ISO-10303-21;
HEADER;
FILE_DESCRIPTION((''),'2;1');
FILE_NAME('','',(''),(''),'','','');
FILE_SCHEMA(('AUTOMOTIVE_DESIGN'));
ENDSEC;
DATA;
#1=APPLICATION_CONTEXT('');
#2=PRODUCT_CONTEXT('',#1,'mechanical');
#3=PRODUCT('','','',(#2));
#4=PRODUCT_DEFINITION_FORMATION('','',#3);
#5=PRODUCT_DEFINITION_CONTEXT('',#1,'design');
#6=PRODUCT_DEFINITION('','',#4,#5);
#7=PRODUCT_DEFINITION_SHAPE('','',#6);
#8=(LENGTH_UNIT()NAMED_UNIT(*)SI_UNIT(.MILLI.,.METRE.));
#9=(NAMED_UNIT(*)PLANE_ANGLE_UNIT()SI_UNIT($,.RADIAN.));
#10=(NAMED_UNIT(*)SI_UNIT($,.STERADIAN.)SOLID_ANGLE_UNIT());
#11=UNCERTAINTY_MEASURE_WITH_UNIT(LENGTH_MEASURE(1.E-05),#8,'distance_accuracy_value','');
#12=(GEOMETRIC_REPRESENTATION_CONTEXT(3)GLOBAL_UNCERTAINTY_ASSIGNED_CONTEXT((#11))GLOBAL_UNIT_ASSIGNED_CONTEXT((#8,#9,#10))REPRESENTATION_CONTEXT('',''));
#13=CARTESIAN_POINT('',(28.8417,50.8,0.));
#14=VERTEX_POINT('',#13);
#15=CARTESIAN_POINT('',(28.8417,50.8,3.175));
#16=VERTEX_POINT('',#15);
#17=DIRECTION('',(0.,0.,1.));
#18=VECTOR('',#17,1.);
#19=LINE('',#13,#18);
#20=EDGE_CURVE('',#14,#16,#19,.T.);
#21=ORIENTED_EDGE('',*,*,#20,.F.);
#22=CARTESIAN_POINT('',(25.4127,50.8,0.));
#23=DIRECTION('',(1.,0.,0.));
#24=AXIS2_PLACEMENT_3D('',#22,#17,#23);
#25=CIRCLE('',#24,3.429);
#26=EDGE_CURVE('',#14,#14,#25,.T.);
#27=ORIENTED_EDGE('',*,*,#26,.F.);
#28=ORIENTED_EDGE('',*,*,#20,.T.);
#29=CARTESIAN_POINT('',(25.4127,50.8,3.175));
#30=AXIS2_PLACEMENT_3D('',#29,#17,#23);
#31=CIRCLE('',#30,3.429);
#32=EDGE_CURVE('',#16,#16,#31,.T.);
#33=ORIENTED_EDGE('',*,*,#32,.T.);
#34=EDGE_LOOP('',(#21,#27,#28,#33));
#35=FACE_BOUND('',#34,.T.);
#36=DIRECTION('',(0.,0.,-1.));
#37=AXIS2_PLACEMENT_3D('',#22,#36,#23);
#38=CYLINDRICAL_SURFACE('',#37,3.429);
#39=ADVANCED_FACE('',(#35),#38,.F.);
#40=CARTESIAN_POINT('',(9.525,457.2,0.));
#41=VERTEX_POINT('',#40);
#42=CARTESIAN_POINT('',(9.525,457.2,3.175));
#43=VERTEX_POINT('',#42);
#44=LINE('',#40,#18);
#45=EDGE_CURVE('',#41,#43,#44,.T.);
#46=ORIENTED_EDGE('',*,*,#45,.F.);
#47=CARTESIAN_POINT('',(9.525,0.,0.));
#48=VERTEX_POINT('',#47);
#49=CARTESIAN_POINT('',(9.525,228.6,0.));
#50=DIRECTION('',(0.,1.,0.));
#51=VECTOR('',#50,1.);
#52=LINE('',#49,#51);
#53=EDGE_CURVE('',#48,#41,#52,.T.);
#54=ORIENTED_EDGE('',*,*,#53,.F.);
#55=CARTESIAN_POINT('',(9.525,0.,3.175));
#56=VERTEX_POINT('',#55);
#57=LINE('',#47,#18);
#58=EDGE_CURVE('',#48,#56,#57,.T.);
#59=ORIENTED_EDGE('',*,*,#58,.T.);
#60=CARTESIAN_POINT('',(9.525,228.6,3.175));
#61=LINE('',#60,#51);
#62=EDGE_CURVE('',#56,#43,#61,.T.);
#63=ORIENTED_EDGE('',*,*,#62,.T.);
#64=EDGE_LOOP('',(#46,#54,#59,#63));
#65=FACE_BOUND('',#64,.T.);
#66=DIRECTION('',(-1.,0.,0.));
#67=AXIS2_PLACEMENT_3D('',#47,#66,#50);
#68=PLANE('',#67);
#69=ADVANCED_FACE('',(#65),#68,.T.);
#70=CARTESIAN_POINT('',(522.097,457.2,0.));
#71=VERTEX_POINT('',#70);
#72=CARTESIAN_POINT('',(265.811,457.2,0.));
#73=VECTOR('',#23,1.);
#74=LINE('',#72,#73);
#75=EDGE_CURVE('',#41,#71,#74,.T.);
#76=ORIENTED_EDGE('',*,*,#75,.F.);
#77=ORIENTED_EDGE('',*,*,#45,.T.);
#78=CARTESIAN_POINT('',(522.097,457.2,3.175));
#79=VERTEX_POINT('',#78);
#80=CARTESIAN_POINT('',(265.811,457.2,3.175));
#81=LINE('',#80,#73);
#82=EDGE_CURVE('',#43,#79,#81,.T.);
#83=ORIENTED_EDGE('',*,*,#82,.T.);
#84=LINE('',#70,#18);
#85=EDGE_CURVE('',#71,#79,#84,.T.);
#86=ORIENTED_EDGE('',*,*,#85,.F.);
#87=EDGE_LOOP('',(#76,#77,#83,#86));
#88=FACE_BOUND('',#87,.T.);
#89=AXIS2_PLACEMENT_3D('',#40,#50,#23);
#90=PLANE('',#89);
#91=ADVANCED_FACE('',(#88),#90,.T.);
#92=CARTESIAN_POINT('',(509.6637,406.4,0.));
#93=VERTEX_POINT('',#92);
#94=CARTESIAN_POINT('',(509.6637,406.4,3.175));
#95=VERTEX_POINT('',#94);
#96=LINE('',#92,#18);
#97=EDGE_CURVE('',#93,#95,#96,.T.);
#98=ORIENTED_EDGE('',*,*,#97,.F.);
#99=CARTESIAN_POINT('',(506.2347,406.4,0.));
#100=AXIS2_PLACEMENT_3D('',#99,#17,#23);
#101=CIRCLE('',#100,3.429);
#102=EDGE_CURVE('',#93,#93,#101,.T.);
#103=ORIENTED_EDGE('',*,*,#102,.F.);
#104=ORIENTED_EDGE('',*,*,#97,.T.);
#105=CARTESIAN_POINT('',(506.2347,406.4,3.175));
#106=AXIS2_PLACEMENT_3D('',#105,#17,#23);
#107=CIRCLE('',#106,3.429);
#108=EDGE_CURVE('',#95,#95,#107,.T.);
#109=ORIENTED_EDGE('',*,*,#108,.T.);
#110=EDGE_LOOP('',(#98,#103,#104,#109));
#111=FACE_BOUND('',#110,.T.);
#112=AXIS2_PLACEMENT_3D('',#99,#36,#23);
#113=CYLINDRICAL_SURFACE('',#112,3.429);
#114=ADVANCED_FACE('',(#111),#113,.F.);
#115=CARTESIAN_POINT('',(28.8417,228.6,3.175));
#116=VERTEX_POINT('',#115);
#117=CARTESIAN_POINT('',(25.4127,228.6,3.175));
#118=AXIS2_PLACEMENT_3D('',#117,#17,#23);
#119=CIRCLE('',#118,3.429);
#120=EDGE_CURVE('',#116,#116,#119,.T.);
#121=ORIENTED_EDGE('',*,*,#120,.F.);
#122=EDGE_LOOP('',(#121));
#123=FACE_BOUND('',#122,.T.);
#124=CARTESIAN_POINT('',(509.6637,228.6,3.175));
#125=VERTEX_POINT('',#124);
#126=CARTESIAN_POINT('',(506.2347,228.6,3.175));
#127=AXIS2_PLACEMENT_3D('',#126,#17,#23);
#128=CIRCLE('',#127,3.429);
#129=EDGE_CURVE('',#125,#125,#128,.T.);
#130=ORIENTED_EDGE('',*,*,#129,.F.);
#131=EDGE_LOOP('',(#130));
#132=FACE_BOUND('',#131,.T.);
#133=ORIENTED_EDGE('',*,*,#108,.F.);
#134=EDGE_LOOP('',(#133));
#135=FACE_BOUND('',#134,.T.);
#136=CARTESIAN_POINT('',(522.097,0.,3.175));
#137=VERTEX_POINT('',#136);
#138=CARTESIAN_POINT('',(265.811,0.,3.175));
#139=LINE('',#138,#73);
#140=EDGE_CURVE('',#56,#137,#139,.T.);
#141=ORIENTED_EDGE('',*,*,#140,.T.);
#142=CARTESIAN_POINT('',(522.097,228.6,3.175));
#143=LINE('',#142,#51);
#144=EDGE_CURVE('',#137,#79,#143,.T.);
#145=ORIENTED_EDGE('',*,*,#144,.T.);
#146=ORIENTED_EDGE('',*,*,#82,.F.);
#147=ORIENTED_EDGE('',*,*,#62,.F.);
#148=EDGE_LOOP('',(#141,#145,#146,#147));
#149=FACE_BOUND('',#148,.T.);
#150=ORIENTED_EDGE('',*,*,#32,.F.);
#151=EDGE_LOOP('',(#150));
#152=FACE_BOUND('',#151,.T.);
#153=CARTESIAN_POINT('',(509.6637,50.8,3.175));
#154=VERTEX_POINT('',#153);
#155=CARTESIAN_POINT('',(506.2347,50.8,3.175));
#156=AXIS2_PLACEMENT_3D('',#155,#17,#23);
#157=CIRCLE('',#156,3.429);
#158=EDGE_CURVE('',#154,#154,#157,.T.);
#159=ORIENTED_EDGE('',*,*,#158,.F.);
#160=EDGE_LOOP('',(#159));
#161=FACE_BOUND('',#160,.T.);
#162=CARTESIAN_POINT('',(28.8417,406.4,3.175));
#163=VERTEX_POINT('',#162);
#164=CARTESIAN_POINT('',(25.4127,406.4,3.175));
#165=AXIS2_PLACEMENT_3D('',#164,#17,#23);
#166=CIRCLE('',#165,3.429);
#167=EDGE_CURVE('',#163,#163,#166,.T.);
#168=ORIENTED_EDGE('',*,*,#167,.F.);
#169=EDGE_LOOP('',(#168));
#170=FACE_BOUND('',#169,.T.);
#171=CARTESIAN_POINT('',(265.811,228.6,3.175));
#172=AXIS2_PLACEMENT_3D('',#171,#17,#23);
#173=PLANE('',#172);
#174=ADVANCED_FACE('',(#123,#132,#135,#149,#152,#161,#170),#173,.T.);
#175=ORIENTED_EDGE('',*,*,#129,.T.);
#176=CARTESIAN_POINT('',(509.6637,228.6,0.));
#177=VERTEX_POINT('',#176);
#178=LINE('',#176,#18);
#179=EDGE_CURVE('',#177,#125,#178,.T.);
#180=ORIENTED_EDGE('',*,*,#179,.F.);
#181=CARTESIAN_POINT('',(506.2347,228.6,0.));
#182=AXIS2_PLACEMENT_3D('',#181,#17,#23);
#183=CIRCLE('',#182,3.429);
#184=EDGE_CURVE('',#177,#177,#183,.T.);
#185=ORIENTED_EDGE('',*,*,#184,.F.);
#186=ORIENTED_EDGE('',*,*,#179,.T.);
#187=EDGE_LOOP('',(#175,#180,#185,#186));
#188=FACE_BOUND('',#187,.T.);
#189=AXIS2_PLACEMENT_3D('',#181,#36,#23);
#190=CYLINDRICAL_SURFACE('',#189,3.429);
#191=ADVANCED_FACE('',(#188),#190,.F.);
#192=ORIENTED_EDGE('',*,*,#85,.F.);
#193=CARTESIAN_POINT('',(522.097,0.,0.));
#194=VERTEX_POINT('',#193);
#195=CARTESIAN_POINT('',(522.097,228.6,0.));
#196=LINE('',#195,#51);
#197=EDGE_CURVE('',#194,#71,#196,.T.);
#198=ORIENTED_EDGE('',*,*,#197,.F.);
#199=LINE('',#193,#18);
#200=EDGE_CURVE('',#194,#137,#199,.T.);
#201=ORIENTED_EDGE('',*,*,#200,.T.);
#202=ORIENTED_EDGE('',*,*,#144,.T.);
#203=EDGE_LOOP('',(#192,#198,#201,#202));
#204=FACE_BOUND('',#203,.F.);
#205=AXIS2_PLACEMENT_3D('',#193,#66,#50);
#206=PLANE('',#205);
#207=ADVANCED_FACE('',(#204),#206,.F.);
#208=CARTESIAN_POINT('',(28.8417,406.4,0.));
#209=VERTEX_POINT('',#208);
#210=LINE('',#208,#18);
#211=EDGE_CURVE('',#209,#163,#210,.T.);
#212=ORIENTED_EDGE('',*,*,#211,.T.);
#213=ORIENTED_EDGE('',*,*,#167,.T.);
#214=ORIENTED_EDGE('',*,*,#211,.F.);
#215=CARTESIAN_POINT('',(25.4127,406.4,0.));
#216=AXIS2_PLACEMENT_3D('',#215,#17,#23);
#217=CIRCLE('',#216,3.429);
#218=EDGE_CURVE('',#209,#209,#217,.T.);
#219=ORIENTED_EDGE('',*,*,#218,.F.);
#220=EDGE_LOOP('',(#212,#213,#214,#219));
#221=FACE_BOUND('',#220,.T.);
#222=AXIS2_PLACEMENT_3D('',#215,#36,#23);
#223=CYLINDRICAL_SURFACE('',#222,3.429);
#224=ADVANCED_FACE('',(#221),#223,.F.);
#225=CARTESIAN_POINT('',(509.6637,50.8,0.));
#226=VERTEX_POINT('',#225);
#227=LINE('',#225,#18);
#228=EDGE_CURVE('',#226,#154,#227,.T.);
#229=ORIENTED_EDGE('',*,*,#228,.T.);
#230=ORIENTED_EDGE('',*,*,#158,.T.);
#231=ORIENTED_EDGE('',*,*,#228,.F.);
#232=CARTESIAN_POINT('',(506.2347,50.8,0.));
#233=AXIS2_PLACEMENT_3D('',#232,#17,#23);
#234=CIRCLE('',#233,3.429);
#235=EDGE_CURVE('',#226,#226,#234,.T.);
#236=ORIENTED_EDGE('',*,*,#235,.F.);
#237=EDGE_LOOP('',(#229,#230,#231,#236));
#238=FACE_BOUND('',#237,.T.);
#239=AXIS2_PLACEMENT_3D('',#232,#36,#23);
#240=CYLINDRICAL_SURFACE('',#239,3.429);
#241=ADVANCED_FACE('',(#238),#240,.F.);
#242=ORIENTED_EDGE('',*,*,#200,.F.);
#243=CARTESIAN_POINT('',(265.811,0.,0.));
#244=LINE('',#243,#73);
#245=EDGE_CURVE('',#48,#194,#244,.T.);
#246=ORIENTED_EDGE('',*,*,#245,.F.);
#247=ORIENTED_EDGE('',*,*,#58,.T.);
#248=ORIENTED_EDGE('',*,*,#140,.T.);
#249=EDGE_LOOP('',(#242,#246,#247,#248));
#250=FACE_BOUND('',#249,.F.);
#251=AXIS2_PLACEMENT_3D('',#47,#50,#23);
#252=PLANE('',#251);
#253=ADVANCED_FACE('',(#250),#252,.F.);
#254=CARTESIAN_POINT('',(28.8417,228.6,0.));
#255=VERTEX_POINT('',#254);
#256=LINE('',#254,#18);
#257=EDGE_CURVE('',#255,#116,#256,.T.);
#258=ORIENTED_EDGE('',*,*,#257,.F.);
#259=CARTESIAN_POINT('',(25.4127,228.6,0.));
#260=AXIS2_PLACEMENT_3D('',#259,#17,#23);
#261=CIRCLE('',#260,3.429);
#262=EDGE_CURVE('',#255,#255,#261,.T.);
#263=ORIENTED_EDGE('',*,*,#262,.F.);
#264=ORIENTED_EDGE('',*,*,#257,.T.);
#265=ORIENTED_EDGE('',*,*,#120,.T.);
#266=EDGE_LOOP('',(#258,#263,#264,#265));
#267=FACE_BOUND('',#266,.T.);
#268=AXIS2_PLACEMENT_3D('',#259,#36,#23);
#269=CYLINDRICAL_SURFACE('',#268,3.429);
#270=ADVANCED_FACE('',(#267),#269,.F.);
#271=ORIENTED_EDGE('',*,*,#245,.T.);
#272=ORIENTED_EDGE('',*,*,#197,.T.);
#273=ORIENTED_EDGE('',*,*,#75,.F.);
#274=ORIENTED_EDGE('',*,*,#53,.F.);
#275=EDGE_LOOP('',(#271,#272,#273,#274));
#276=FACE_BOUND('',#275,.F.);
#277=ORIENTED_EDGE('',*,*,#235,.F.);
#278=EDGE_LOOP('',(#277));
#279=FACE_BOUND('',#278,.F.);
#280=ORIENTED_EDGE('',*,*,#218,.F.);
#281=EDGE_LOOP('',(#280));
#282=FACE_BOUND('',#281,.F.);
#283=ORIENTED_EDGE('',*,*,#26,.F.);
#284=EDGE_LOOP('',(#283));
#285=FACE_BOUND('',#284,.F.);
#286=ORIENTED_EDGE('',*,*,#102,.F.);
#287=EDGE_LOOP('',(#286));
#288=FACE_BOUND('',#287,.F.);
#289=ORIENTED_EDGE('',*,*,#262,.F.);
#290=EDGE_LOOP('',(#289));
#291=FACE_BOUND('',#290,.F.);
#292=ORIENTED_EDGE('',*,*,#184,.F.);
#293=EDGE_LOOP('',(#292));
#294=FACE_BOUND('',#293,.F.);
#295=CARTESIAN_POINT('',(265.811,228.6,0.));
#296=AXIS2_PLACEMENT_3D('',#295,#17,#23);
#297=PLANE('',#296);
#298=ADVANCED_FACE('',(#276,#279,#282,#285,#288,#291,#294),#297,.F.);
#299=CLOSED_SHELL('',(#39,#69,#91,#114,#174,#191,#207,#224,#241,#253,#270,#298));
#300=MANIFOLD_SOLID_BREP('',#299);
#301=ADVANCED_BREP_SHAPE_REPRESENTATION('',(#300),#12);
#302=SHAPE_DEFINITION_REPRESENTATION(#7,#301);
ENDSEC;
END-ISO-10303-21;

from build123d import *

# Parameters (mm, degrees)
F0_W     = 512.572
F0_H     = 457.2
F0_R     = 3.429
F1_DEPTH = 3.175


with BuildPart() as f1:
    # F0 (on Top) → F1 (new body)
    with BuildSketch(Plane.XY):
        with Locations((265.811, 228.6)):
            Rectangle(F0_W, F0_H)
        with Locations((25.4127, 50.8)):
            Circle(F0_R, mode=Mode.SUBTRACT)
        with Locations((506.2347, 50.8)):
            Circle(F0_R, mode=Mode.SUBTRACT)
        with Locations((25.4127, 228.6)):
            Circle(F0_R, mode=Mode.SUBTRACT)
        with Locations((25.4127, 406.4)):
            Circle(F0_R, mode=Mode.SUBTRACT)
        with Locations((506.2347, 228.6)):
            Circle(F0_R, mode=Mode.SUBTRACT)
        with Locations((506.2347, 406.4)):
            Circle(F0_R, mode=Mode.SUBTRACT)
    extrude(amount=F1_DEPTH)


solid = f1.part
